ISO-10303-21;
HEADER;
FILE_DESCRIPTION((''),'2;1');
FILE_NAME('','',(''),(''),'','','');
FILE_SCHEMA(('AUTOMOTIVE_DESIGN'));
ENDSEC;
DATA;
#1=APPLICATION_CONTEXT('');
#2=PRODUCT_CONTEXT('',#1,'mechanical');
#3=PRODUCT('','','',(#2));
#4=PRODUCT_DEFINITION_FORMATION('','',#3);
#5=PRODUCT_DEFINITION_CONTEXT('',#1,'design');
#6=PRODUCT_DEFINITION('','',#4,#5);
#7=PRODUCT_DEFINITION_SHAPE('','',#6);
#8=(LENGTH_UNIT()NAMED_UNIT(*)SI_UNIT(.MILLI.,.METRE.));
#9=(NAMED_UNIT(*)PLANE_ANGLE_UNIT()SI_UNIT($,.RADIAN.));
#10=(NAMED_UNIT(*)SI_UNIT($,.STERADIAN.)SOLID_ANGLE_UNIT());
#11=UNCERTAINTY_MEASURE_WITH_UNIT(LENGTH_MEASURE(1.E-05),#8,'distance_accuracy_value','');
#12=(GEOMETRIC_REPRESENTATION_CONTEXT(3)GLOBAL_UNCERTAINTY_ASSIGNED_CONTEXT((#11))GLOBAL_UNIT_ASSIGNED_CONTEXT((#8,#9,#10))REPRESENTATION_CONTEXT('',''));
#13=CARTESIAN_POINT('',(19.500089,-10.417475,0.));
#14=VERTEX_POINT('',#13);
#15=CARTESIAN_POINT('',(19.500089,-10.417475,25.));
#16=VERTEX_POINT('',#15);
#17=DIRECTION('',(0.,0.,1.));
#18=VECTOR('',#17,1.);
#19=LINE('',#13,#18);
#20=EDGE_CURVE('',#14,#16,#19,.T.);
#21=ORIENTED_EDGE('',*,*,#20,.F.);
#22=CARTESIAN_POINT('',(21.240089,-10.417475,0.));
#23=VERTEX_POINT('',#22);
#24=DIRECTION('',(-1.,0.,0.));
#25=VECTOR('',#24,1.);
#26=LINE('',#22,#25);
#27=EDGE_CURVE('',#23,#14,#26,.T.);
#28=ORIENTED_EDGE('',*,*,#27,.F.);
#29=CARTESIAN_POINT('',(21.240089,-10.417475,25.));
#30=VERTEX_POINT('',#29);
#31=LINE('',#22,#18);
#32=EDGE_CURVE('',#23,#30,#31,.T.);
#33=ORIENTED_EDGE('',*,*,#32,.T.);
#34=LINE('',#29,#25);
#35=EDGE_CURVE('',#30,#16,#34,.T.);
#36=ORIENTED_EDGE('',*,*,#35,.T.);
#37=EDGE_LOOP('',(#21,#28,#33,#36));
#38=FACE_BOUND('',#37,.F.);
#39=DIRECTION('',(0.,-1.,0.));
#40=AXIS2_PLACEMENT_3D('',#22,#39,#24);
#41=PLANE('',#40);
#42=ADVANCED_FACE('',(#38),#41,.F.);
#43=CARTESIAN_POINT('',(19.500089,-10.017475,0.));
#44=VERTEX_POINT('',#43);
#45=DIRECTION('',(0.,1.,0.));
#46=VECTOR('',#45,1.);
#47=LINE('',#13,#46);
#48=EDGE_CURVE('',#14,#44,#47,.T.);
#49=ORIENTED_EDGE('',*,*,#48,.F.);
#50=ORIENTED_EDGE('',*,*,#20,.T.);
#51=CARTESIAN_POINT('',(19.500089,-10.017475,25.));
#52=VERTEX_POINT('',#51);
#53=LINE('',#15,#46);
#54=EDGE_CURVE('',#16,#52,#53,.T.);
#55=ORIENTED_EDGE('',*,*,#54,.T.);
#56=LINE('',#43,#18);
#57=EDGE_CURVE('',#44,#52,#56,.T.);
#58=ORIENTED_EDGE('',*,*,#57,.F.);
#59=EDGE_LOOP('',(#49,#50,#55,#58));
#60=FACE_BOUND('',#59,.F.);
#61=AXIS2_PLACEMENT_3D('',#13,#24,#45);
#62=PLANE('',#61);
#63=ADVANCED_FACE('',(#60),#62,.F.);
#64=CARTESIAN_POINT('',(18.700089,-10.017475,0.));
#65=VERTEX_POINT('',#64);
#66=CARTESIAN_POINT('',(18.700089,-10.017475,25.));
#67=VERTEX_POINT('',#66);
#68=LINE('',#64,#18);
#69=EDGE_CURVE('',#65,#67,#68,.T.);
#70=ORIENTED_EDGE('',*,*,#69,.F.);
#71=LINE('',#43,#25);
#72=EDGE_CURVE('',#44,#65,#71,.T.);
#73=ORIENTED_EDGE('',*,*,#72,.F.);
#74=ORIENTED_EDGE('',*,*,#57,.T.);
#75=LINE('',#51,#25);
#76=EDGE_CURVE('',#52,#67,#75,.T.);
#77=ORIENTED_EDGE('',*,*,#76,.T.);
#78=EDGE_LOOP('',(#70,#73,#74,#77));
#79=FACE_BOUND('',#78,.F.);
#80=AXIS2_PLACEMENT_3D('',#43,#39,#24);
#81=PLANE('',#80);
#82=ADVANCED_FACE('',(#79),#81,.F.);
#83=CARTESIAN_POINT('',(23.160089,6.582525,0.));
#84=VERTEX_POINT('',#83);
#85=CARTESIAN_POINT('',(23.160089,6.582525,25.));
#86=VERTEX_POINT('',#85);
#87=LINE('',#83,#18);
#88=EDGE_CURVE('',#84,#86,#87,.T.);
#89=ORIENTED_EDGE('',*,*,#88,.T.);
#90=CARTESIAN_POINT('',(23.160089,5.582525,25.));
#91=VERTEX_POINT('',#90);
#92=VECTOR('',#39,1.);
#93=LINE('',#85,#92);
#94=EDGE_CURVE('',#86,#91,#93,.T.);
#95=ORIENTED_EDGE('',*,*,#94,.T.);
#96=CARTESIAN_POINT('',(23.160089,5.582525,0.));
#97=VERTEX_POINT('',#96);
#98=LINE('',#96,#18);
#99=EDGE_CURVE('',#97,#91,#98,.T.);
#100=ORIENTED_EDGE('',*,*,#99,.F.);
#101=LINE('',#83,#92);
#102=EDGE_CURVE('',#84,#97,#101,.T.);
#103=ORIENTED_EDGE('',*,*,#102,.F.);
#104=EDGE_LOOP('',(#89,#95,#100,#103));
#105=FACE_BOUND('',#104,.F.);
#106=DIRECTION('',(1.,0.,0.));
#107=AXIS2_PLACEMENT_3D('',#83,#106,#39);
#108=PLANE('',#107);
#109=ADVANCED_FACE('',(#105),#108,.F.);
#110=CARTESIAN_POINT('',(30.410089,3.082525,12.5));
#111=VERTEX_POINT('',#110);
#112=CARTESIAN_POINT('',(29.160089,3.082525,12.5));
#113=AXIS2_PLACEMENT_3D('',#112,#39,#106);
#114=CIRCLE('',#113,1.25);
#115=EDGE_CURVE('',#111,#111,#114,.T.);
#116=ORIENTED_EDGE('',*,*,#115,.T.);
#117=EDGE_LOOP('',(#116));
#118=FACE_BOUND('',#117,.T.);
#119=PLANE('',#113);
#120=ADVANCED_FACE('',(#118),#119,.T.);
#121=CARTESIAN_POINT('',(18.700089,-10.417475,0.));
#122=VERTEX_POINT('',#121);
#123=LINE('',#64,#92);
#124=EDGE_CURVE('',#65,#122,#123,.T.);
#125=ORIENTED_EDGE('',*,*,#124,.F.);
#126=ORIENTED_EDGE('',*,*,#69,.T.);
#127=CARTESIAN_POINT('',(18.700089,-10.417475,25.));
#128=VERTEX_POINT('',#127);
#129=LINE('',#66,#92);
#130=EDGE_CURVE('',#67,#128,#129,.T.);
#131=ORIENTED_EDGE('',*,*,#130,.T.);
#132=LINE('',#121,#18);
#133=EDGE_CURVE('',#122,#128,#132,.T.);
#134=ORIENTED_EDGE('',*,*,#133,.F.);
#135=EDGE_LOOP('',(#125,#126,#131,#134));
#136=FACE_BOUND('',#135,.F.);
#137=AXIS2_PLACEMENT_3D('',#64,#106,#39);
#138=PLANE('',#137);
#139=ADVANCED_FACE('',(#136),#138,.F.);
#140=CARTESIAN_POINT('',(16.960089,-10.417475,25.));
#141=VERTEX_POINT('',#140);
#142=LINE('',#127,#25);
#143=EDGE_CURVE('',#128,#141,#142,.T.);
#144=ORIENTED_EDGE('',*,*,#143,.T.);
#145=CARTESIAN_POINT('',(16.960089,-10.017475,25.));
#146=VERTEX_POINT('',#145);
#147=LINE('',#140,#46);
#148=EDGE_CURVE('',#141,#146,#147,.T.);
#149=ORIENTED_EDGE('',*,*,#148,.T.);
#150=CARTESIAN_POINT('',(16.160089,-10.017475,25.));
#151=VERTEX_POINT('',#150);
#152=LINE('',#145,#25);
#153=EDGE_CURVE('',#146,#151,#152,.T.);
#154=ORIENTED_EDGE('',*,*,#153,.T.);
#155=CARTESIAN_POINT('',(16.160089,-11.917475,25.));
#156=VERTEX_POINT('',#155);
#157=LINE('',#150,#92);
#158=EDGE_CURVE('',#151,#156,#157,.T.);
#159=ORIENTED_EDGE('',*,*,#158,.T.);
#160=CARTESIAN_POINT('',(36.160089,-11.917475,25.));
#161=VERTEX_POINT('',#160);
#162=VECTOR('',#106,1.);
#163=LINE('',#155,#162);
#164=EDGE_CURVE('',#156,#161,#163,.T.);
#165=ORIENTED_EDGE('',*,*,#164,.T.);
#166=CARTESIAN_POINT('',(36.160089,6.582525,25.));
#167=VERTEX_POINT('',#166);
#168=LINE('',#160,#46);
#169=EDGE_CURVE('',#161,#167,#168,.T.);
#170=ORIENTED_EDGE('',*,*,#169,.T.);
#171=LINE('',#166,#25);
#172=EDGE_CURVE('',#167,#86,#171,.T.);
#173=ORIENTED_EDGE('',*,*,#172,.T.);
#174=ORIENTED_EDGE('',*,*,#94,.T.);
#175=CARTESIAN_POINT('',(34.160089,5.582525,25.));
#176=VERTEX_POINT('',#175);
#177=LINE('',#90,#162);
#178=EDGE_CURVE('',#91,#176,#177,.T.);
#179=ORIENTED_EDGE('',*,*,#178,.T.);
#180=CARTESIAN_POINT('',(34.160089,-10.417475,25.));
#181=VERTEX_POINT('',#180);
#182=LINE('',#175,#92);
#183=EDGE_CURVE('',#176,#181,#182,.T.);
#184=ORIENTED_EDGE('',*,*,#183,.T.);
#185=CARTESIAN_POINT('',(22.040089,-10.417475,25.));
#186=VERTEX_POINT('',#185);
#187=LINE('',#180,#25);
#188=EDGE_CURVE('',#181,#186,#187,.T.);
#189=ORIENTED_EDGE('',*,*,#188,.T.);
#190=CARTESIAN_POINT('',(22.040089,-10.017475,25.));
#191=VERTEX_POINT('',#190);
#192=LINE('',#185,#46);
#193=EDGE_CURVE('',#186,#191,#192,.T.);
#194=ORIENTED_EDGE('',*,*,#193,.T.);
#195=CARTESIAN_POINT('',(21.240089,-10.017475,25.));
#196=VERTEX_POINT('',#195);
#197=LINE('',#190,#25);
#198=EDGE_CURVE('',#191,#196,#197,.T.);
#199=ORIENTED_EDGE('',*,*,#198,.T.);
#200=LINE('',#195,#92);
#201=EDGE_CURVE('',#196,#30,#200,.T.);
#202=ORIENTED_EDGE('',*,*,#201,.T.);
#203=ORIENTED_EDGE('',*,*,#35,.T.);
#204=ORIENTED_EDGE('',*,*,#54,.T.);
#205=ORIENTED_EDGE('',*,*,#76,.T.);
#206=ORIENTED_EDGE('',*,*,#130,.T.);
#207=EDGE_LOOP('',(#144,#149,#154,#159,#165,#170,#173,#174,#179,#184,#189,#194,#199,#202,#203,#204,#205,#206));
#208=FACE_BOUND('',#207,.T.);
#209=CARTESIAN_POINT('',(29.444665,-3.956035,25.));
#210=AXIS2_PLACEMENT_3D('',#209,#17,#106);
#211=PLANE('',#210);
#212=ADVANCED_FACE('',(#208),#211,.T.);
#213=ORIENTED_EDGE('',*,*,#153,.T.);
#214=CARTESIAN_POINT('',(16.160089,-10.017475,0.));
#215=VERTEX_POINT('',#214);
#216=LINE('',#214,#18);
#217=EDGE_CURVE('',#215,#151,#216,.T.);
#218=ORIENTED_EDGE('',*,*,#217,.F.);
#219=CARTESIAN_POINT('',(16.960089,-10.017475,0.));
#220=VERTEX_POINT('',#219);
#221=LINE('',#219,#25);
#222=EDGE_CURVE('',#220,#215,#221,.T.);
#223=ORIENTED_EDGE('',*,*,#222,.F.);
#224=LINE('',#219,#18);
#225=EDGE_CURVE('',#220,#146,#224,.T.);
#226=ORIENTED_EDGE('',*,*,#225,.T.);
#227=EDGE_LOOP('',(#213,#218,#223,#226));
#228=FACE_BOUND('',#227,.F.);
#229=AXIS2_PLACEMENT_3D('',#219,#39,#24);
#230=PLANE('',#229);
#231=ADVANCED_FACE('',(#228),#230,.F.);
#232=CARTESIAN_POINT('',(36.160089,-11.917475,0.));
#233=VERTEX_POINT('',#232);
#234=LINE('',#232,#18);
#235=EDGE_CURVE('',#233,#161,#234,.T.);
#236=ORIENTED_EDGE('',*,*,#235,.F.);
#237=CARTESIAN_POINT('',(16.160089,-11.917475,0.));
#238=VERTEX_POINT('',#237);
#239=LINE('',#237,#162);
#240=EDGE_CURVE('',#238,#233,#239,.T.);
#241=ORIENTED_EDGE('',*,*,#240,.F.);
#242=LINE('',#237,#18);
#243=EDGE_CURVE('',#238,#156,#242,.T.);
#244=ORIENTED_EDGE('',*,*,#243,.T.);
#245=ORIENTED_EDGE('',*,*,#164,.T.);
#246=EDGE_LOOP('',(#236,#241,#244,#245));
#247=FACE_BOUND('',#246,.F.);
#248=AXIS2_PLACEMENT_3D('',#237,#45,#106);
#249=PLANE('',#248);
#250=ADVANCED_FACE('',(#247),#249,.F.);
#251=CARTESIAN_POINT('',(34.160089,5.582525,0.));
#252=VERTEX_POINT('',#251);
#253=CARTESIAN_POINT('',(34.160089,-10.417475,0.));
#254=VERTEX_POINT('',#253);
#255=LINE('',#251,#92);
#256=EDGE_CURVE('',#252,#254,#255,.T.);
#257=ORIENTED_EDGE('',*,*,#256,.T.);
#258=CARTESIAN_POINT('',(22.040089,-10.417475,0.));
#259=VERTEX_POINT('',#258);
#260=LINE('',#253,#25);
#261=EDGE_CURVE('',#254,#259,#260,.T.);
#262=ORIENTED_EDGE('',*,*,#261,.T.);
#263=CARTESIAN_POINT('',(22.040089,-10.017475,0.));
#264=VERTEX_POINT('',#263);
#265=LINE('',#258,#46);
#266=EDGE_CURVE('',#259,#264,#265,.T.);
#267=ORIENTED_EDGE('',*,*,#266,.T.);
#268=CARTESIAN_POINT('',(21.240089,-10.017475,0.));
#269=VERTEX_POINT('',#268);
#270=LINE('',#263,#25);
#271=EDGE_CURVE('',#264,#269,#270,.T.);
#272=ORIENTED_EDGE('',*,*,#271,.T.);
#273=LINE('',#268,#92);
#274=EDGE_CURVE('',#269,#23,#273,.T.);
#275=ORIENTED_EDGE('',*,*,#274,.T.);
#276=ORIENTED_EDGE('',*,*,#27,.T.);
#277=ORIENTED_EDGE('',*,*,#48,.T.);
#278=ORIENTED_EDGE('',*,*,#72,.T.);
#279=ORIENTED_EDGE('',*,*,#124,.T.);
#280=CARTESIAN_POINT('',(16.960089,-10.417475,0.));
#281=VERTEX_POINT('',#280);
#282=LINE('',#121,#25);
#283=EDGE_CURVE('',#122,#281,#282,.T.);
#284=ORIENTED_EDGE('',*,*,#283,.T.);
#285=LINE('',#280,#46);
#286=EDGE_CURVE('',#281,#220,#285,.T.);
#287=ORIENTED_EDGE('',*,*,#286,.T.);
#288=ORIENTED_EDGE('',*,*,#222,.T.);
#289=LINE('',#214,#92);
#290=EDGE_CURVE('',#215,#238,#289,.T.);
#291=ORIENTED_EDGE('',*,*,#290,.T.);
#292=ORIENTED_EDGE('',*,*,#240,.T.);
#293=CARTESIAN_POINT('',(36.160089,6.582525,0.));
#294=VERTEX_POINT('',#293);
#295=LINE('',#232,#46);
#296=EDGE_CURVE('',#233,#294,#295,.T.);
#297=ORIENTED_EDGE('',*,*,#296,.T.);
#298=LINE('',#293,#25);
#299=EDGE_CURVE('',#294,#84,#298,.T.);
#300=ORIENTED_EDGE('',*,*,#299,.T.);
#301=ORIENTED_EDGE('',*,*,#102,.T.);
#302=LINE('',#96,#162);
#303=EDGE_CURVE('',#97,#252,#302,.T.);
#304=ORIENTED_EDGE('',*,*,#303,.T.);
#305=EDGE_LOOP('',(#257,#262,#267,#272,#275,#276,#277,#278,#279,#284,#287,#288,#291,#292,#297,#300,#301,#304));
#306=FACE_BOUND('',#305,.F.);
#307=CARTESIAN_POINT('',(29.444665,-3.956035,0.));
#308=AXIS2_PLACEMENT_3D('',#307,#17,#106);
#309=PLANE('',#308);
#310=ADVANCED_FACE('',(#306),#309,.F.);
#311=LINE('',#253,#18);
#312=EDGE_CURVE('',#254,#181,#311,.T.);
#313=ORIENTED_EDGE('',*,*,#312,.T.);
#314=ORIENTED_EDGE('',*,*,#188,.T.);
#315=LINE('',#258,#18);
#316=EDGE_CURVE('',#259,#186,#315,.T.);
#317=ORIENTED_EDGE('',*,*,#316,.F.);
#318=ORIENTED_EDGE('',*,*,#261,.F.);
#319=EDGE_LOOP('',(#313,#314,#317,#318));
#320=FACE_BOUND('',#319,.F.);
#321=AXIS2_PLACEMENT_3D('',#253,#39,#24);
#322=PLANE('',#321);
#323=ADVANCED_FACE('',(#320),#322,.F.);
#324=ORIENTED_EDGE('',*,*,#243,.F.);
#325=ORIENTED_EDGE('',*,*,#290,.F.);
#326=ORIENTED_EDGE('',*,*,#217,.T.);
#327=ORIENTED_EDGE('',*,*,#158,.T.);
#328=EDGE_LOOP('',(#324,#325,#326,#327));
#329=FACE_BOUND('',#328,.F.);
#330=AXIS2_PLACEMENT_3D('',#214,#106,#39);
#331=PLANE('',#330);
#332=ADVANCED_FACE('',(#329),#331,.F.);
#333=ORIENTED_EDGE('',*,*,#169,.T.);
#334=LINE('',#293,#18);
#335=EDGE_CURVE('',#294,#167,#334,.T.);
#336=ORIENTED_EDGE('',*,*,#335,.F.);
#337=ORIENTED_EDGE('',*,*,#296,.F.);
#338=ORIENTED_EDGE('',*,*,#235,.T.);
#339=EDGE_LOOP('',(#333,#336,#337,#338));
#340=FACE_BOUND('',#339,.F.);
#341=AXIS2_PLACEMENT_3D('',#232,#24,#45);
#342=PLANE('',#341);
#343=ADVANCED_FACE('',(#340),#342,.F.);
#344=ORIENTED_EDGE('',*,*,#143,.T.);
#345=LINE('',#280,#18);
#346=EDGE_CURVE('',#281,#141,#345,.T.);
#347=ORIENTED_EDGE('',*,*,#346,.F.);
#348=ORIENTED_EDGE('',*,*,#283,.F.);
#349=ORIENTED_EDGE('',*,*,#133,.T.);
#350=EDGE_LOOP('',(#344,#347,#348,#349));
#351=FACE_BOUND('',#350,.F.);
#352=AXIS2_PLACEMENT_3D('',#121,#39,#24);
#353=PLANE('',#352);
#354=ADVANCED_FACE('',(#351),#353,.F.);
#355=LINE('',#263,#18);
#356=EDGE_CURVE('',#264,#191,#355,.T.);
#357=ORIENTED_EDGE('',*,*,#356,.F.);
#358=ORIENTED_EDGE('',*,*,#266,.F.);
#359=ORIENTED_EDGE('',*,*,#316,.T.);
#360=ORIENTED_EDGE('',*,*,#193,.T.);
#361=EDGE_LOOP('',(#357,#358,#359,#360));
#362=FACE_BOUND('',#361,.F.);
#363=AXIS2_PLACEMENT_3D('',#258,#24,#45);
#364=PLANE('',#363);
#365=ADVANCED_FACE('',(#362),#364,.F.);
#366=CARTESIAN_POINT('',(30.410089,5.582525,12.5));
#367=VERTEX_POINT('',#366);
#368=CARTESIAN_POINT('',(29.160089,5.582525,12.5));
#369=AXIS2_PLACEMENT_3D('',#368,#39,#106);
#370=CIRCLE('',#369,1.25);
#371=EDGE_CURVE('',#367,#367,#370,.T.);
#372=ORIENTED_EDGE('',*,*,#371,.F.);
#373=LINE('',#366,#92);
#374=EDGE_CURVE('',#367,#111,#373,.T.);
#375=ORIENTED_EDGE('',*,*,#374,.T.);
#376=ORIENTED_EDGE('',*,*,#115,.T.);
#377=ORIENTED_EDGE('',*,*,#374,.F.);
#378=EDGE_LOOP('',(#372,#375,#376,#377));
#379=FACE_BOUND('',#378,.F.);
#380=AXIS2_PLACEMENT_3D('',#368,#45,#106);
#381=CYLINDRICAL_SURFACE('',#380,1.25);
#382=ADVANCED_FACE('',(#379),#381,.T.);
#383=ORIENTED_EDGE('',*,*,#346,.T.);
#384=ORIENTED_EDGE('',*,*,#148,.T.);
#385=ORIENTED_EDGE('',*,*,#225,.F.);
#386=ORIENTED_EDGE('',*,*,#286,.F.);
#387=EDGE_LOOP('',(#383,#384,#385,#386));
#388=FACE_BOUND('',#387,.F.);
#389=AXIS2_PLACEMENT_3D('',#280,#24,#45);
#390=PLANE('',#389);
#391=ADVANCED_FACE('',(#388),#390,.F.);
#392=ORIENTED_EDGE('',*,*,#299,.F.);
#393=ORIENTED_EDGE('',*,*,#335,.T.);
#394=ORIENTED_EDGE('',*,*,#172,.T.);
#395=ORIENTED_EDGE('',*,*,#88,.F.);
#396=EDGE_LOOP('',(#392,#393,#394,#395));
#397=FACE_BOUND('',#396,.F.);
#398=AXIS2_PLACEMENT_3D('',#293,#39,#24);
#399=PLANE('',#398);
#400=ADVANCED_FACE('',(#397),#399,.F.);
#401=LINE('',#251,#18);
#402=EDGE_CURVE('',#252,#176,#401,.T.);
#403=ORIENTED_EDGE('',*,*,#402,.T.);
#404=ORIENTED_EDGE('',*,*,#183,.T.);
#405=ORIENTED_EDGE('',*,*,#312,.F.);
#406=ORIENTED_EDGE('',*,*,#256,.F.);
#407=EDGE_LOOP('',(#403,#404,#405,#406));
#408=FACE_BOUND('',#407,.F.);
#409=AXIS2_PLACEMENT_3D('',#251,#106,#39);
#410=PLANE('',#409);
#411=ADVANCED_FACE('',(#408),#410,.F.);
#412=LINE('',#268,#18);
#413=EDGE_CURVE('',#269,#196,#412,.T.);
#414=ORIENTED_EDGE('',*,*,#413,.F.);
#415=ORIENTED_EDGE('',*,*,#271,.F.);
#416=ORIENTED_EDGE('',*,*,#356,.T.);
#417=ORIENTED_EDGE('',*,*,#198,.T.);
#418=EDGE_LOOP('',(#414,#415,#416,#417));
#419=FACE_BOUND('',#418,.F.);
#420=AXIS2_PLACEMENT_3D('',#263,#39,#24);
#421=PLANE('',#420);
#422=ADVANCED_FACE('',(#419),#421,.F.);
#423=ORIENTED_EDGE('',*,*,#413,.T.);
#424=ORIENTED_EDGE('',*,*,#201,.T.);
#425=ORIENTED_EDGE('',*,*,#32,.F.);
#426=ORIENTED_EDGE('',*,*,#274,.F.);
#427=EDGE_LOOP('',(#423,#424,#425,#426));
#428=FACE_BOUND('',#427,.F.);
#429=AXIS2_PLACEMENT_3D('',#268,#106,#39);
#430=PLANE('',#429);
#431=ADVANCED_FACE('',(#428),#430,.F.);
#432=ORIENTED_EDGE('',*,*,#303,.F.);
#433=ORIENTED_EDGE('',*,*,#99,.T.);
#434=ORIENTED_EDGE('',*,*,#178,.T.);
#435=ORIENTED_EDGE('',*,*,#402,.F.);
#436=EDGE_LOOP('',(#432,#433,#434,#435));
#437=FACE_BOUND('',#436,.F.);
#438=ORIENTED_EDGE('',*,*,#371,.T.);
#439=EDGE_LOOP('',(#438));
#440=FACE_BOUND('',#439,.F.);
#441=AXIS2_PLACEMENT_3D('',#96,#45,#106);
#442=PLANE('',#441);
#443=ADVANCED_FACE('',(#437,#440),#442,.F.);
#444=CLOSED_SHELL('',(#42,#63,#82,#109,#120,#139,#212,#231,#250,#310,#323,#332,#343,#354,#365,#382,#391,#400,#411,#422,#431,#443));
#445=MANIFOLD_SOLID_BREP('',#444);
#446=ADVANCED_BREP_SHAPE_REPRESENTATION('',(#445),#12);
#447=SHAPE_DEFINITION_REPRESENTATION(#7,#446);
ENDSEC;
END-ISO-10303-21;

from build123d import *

# Parameters (mm, degrees)
F1_DEPTH = 25
F2_R     = 1.25
F3_DEPTH = 2.5


with BuildPart() as f1:
    # F0 (on Top) → F1 (new body)
    with BuildSketch(Plane.XY):
        Polygon((36.160089, 6.582525), (23.160089, 6.582525), (23.160089, 5.582525), (28.360089, 5.582525), (30.160089, 5.582525), (34.160089, 5.582525), (34.160089, -10.417475), (22.040089, -10.417475), (22.040089, -10.017475), (21.240089, -10.017475), (21.240089, -10.417475), (19.500089, -10.417475), (19.500089, -10.017475), (18.700089, -10.017475), (18.700089, -10.417475), (16.960089, -10.417475), (16.960089, -10.017475), (16.160089, -10.017475), (16.160089, -10.417475), (16.160089, -11.917475), (36.160089, -11.917475), align=None)
    extrude(amount=F1_DEPTH)

    # F2 (on face) → F3 (join)
    with BuildSketch(Plane.XZ.offset(-5.582525)):
        with Locations((29.160089, 12.5)):
            Circle(F2_R)
    extrude(amount=F3_DEPTH)


solid = f1.part
